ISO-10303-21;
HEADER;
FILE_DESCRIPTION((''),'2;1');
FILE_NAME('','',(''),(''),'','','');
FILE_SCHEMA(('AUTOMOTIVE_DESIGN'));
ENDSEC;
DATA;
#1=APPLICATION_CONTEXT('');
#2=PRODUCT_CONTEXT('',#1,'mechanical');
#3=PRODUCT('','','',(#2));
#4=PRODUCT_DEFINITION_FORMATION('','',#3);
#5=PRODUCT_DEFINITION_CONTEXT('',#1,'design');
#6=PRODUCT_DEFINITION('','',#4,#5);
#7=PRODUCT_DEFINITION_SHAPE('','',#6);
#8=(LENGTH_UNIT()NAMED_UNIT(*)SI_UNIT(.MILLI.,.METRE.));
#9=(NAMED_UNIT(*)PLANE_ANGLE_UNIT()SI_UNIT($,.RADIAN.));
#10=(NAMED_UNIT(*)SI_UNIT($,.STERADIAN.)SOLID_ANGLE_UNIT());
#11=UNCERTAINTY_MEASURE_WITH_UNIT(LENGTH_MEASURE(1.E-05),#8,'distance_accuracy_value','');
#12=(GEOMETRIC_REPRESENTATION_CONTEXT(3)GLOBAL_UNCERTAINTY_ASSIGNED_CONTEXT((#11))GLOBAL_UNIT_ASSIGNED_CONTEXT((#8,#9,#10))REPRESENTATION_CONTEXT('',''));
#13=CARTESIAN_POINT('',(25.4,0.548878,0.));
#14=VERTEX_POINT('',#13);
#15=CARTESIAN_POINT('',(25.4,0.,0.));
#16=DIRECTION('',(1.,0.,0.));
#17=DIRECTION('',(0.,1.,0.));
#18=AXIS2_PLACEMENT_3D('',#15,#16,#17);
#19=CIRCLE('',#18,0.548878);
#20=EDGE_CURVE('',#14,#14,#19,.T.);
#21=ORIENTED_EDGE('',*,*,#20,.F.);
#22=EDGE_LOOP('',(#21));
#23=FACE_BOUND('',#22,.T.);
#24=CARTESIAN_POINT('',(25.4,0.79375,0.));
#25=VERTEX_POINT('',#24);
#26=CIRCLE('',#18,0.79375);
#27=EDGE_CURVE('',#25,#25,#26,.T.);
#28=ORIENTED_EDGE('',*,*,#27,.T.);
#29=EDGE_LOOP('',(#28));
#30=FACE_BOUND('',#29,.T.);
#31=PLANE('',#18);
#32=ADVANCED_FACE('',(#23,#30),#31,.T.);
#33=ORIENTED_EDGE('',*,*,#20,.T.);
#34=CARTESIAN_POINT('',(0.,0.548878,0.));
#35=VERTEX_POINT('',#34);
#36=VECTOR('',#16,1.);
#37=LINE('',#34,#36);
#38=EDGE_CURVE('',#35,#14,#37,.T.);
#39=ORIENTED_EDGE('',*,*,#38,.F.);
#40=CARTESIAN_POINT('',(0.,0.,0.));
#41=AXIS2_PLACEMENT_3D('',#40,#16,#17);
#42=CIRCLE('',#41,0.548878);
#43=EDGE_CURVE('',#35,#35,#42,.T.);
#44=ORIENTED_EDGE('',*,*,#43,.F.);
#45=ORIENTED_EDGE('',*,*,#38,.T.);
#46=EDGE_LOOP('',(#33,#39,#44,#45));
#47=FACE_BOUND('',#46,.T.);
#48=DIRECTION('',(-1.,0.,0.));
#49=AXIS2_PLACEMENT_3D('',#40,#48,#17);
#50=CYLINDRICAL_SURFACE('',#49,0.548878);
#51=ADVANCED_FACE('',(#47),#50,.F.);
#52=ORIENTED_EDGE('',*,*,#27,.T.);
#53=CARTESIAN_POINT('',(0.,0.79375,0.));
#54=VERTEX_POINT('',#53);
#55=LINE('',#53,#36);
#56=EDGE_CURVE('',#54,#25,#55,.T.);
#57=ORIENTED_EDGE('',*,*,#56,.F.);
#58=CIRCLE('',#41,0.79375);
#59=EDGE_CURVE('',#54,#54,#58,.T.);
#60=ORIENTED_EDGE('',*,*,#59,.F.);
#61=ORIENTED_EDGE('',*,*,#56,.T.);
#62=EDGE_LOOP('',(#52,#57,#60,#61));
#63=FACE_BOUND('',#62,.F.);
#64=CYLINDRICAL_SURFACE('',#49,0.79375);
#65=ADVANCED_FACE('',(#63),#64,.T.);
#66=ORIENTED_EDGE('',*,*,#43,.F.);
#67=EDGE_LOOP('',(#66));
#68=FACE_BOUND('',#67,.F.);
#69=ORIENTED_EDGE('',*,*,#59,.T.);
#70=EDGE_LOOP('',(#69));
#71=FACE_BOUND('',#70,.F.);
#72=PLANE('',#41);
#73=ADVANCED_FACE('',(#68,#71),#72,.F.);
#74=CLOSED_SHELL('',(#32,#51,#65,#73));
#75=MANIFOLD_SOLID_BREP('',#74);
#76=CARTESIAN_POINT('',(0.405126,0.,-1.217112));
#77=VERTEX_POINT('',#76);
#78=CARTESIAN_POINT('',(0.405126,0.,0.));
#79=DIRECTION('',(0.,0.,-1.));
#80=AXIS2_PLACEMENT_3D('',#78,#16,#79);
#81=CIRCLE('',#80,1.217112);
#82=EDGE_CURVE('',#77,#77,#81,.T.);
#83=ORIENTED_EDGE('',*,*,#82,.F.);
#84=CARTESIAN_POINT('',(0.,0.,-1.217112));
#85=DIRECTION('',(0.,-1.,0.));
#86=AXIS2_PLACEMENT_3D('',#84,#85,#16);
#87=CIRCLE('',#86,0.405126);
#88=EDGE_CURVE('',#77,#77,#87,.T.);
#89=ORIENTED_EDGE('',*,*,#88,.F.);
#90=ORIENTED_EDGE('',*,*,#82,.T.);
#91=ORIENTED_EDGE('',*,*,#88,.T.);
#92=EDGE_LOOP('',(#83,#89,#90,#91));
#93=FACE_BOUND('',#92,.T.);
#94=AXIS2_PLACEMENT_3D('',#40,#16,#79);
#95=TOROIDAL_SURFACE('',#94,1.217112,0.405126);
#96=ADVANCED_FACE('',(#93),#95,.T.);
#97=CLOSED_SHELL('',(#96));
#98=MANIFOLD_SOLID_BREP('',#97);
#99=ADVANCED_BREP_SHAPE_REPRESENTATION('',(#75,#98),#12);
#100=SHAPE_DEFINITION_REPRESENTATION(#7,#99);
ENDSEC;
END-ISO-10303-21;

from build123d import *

# Parameters (mm, degrees)
F0_R     = 0.79375
F0_R_2   = 0.548878
F1_DEPTH = 25.4
F2_R     = 0.405126


with BuildPart() as f1:
    # F0 (on Right) → F1 (new body)
    with BuildSketch(Plane.YZ):
        Circle(F0_R)
        Circle(F0_R_2, mode=Mode.SUBTRACT)
    extrude(amount=F1_DEPTH)


with BuildPart() as f3:
    # F2 (on Front) → F3 (revolve)
    with BuildSketch(Plane.XZ):
        with Locations((0, -1.217112)):
            Circle(F2_R)
    revolve(axis=Axis((12.708355, 0, 0), (1, 0, 0)))


solid = Compound([f1.part, f3.part])
